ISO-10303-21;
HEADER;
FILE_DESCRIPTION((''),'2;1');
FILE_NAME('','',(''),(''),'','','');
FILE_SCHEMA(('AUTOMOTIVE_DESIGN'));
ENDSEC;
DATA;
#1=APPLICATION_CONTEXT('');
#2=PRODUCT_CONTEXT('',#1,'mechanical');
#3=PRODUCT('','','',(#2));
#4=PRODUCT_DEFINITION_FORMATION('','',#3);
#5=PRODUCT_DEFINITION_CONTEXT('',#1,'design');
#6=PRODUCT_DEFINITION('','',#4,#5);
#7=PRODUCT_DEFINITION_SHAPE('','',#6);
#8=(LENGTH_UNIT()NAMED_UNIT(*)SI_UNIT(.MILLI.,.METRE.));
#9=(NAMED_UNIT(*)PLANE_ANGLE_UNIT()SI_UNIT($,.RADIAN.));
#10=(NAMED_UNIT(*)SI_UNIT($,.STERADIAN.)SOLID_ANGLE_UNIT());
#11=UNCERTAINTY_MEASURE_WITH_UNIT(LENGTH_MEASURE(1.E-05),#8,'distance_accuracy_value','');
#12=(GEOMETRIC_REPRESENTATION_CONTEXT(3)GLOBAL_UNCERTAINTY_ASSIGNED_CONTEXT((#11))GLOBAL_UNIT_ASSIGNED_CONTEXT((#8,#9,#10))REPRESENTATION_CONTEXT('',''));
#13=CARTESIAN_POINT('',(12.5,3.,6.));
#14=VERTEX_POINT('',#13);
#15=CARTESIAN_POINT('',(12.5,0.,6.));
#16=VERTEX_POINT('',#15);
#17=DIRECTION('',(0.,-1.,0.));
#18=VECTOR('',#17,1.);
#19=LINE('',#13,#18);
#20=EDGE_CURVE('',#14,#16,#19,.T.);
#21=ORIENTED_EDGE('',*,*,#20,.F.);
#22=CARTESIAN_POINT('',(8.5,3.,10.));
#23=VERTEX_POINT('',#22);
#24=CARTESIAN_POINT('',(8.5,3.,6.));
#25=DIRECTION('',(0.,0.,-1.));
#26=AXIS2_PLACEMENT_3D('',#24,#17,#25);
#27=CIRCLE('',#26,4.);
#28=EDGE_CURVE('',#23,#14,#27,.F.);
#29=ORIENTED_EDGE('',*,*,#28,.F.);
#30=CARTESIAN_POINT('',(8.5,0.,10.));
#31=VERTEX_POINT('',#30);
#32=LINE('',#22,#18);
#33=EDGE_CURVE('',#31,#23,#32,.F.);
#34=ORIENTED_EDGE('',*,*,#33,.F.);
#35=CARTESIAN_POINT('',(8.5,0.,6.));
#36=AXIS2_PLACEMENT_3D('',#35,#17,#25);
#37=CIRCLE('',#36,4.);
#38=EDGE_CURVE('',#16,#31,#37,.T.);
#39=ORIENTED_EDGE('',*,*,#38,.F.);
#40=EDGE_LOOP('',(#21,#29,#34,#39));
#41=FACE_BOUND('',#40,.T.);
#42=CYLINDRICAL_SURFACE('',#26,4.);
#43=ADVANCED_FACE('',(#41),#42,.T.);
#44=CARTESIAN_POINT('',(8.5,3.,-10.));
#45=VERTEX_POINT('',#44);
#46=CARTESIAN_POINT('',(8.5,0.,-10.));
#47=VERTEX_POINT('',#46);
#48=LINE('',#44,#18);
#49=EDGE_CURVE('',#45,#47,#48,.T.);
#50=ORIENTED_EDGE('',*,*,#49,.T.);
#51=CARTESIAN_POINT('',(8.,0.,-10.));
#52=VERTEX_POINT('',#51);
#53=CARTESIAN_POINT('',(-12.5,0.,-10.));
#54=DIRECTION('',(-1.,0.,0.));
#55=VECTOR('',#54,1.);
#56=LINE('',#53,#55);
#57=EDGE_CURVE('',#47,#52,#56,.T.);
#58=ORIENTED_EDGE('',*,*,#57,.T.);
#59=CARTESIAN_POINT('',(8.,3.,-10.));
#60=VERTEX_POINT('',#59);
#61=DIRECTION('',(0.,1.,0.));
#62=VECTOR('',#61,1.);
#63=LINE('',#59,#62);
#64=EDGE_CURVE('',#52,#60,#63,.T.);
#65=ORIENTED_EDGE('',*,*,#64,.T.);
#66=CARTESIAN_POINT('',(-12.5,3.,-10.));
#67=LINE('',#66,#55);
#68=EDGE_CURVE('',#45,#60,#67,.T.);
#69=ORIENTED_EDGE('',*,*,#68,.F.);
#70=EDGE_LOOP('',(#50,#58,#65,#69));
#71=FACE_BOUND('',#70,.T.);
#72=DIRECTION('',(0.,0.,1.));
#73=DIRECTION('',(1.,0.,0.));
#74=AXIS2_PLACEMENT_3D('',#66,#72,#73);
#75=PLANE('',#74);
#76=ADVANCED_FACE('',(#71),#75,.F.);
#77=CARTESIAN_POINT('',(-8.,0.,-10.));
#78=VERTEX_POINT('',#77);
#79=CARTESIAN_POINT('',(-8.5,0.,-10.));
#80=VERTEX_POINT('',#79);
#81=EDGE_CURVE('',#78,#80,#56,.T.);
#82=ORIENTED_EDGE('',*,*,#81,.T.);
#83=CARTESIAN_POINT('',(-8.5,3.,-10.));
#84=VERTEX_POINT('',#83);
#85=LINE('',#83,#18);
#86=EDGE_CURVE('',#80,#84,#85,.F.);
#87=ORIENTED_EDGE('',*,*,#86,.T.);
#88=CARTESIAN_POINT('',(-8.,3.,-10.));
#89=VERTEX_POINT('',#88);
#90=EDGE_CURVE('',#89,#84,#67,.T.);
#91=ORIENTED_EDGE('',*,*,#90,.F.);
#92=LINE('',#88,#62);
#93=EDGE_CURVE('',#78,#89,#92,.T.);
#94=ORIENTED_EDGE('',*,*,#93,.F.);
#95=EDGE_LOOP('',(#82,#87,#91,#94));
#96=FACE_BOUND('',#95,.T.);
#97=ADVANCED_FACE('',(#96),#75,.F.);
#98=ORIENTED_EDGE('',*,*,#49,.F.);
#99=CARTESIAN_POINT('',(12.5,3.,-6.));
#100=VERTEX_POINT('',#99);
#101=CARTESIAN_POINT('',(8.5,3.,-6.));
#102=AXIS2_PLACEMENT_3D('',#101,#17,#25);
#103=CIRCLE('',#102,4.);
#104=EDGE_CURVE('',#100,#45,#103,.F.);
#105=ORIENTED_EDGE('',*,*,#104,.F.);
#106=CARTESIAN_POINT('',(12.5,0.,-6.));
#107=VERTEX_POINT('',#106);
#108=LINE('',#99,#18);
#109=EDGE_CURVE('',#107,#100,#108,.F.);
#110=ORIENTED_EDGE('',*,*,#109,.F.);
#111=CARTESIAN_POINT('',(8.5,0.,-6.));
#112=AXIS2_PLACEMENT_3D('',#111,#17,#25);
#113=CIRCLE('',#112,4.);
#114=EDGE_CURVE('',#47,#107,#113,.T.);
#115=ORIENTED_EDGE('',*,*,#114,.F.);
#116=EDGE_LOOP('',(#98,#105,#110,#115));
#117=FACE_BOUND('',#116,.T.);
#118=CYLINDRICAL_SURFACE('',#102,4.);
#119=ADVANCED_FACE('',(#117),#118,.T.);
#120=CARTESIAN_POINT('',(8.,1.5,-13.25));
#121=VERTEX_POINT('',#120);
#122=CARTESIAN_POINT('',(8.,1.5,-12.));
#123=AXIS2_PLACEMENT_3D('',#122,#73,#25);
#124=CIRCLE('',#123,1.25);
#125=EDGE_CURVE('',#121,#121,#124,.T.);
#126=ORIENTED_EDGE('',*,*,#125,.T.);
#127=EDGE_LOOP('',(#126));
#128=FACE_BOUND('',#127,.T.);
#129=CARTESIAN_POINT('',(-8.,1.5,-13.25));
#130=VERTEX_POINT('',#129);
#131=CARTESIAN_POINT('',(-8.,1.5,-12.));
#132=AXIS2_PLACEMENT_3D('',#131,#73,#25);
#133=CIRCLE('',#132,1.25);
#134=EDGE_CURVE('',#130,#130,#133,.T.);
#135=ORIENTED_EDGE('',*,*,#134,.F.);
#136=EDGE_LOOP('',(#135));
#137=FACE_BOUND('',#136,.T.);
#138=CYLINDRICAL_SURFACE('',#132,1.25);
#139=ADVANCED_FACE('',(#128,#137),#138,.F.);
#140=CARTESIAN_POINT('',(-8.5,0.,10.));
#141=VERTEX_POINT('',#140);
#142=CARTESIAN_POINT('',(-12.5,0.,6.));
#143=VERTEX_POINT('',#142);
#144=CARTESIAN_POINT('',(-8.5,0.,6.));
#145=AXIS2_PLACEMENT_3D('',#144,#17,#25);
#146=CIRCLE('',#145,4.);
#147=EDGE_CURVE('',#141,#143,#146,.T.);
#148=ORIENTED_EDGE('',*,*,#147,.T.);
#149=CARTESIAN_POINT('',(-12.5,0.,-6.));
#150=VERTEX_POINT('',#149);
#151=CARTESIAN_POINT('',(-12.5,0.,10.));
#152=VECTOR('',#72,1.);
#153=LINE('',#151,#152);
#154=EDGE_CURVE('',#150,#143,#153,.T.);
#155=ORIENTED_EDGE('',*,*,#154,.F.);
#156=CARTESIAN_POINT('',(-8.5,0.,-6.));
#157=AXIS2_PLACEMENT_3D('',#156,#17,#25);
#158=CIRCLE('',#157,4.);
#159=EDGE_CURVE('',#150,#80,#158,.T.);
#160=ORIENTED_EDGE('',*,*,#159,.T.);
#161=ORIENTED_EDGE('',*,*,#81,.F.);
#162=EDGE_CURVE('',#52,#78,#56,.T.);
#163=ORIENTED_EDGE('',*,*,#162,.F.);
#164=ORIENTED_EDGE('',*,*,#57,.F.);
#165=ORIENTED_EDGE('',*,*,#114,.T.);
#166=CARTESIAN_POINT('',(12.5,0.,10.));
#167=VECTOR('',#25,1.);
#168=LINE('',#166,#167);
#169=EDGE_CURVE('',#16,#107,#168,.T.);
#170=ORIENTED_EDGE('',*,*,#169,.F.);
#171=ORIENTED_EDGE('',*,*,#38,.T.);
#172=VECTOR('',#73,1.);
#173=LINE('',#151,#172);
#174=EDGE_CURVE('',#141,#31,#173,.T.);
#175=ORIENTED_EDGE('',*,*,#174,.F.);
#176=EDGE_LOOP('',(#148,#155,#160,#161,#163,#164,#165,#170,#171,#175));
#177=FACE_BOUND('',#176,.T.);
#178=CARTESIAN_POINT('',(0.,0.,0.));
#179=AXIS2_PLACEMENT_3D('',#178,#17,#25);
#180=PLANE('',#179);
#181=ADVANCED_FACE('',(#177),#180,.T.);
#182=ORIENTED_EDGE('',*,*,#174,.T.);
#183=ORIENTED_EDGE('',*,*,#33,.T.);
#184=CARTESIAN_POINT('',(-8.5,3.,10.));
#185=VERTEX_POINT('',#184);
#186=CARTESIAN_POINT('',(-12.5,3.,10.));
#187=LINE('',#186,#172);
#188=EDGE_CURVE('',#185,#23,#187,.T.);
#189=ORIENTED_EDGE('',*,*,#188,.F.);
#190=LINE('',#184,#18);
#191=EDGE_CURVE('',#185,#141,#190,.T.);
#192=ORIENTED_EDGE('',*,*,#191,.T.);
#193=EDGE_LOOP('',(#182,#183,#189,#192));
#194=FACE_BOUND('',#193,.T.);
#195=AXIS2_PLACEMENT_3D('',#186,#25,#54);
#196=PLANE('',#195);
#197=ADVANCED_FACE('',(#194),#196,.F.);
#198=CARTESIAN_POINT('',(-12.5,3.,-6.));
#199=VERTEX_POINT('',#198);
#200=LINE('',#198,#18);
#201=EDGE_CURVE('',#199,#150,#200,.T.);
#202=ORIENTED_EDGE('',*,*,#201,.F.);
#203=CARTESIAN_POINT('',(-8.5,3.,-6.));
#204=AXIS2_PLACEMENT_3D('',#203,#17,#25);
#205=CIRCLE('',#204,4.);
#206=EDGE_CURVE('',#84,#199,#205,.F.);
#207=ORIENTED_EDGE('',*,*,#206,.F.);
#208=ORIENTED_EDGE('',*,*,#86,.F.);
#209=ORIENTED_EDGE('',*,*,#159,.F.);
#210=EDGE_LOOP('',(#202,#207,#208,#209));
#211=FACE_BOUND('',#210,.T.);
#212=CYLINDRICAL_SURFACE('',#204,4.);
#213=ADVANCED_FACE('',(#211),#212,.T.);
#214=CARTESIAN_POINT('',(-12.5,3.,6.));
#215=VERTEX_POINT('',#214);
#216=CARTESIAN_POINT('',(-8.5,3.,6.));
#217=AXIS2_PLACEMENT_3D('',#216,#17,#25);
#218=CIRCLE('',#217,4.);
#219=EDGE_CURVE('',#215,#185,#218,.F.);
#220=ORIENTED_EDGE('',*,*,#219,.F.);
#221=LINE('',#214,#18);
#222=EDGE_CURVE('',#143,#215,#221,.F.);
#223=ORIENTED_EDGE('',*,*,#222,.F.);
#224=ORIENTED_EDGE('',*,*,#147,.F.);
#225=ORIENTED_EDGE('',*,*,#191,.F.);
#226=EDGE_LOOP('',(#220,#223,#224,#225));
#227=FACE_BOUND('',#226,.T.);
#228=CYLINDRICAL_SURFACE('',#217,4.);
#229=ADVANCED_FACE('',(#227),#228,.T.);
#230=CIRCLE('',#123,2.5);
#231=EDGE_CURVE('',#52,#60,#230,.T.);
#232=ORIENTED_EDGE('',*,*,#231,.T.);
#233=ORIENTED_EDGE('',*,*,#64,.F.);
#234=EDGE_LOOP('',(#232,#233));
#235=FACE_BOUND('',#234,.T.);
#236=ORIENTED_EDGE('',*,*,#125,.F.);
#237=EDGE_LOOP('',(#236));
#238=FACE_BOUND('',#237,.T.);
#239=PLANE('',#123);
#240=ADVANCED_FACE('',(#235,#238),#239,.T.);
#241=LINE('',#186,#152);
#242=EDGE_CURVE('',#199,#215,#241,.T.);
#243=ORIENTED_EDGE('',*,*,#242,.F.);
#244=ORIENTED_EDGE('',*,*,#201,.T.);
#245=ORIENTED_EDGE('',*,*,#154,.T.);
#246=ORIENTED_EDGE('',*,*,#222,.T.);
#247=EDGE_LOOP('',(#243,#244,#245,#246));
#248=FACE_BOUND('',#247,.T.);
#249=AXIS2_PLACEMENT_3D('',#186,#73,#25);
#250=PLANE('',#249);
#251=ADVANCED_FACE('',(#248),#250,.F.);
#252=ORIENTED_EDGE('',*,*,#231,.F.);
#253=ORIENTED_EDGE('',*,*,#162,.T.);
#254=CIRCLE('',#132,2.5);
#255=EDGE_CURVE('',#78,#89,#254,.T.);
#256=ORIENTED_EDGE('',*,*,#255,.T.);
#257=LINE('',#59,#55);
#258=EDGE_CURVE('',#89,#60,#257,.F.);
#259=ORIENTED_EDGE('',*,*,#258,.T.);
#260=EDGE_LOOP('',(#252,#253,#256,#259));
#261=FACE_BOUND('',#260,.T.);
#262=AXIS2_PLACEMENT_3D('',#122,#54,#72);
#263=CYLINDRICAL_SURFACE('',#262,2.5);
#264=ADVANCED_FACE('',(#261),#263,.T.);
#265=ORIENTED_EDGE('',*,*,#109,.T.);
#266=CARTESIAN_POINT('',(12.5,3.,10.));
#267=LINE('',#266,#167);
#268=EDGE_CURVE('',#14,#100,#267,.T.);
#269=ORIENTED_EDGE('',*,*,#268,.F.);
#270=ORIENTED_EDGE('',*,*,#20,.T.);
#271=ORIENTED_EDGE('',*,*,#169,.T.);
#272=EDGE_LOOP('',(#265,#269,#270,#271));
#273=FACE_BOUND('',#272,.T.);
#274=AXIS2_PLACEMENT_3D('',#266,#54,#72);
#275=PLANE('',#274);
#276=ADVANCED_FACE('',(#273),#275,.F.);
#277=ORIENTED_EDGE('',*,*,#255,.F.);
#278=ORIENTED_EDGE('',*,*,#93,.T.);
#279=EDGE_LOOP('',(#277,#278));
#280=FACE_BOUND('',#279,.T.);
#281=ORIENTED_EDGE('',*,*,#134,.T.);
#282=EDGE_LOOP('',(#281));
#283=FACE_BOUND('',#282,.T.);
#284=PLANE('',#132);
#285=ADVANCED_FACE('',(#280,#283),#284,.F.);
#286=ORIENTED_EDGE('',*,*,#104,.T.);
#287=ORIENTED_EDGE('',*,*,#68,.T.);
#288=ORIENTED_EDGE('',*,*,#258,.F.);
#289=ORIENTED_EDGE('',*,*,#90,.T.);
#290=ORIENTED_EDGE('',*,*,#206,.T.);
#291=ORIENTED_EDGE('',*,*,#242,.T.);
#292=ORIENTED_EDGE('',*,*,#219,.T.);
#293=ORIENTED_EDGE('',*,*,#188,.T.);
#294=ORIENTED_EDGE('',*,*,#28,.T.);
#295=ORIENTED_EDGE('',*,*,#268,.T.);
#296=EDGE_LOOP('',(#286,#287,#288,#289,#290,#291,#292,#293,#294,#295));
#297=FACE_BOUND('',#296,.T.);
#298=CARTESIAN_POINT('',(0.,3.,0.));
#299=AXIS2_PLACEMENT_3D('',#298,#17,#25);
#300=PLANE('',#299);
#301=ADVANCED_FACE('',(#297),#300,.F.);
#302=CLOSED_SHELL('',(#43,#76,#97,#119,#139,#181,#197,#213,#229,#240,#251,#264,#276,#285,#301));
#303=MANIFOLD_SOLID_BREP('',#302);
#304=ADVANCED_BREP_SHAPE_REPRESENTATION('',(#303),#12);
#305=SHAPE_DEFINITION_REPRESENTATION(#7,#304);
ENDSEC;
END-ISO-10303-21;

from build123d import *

# Parameters (mm, degrees)
SKETCH2_W           = 25
SKETCH2_H           = 20
BOSS_EXTRUDE1_DEPTH = 3
FILLET1_R           = 4
SKETCH4_R           = 2.5
BOSS_EXTRUDE2_DEPTH = 8
SKETCH5_R           = 1.25
CUT_EXTRUDE1_DEPTH  = 16


with BuildPart() as part:
    # Sketch2 → Boss-Extrude1 (new body)
    with BuildSketch(Plane(origin=(0, 0, 0), x_dir=(1, 0, 0), z_dir=(0, 1, 0))):
        Rectangle(SKETCH2_W, SKETCH2_H)
    extrude(amount=BOSS_EXTRUDE1_DEPTH)

    # Fillet1
    fillet1_edges = [part.edges().sort_by_distance(p)[0] for p in [
        (12.5, 1.5, 10),
        (-12.5, 1.5, 10),
        (-12.5, 1.5, -10),
        (12.5, 1.5, -10),
    ]]
    fillet(fillet1_edges, radius=FILLET1_R)

    # Sketch4 → Boss-Extrude2 (add, symmetric)
    with BuildSketch(Plane(origin=(0, 0, 0), x_dir=(0, 0, -1), z_dir=(1, 0, 0))):
        with Locations((12, 1.5)):
            Circle(SKETCH4_R)
    extrude(amount=BOSS_EXTRUDE2_DEPTH, both=True)

    # Sketch5 → Cut-Extrude1 (cut)
    with BuildSketch(Plane(origin=(8, 0, 0), x_dir=(0, 0, -1), z_dir=(1, 0, 0))):
        with Locations((12, 1.5)):
            Circle(SKETCH5_R)
    extrude(amount=-CUT_EXTRUDE1_DEPTH, mode=Mode.SUBTRACT)


solid = part.part
